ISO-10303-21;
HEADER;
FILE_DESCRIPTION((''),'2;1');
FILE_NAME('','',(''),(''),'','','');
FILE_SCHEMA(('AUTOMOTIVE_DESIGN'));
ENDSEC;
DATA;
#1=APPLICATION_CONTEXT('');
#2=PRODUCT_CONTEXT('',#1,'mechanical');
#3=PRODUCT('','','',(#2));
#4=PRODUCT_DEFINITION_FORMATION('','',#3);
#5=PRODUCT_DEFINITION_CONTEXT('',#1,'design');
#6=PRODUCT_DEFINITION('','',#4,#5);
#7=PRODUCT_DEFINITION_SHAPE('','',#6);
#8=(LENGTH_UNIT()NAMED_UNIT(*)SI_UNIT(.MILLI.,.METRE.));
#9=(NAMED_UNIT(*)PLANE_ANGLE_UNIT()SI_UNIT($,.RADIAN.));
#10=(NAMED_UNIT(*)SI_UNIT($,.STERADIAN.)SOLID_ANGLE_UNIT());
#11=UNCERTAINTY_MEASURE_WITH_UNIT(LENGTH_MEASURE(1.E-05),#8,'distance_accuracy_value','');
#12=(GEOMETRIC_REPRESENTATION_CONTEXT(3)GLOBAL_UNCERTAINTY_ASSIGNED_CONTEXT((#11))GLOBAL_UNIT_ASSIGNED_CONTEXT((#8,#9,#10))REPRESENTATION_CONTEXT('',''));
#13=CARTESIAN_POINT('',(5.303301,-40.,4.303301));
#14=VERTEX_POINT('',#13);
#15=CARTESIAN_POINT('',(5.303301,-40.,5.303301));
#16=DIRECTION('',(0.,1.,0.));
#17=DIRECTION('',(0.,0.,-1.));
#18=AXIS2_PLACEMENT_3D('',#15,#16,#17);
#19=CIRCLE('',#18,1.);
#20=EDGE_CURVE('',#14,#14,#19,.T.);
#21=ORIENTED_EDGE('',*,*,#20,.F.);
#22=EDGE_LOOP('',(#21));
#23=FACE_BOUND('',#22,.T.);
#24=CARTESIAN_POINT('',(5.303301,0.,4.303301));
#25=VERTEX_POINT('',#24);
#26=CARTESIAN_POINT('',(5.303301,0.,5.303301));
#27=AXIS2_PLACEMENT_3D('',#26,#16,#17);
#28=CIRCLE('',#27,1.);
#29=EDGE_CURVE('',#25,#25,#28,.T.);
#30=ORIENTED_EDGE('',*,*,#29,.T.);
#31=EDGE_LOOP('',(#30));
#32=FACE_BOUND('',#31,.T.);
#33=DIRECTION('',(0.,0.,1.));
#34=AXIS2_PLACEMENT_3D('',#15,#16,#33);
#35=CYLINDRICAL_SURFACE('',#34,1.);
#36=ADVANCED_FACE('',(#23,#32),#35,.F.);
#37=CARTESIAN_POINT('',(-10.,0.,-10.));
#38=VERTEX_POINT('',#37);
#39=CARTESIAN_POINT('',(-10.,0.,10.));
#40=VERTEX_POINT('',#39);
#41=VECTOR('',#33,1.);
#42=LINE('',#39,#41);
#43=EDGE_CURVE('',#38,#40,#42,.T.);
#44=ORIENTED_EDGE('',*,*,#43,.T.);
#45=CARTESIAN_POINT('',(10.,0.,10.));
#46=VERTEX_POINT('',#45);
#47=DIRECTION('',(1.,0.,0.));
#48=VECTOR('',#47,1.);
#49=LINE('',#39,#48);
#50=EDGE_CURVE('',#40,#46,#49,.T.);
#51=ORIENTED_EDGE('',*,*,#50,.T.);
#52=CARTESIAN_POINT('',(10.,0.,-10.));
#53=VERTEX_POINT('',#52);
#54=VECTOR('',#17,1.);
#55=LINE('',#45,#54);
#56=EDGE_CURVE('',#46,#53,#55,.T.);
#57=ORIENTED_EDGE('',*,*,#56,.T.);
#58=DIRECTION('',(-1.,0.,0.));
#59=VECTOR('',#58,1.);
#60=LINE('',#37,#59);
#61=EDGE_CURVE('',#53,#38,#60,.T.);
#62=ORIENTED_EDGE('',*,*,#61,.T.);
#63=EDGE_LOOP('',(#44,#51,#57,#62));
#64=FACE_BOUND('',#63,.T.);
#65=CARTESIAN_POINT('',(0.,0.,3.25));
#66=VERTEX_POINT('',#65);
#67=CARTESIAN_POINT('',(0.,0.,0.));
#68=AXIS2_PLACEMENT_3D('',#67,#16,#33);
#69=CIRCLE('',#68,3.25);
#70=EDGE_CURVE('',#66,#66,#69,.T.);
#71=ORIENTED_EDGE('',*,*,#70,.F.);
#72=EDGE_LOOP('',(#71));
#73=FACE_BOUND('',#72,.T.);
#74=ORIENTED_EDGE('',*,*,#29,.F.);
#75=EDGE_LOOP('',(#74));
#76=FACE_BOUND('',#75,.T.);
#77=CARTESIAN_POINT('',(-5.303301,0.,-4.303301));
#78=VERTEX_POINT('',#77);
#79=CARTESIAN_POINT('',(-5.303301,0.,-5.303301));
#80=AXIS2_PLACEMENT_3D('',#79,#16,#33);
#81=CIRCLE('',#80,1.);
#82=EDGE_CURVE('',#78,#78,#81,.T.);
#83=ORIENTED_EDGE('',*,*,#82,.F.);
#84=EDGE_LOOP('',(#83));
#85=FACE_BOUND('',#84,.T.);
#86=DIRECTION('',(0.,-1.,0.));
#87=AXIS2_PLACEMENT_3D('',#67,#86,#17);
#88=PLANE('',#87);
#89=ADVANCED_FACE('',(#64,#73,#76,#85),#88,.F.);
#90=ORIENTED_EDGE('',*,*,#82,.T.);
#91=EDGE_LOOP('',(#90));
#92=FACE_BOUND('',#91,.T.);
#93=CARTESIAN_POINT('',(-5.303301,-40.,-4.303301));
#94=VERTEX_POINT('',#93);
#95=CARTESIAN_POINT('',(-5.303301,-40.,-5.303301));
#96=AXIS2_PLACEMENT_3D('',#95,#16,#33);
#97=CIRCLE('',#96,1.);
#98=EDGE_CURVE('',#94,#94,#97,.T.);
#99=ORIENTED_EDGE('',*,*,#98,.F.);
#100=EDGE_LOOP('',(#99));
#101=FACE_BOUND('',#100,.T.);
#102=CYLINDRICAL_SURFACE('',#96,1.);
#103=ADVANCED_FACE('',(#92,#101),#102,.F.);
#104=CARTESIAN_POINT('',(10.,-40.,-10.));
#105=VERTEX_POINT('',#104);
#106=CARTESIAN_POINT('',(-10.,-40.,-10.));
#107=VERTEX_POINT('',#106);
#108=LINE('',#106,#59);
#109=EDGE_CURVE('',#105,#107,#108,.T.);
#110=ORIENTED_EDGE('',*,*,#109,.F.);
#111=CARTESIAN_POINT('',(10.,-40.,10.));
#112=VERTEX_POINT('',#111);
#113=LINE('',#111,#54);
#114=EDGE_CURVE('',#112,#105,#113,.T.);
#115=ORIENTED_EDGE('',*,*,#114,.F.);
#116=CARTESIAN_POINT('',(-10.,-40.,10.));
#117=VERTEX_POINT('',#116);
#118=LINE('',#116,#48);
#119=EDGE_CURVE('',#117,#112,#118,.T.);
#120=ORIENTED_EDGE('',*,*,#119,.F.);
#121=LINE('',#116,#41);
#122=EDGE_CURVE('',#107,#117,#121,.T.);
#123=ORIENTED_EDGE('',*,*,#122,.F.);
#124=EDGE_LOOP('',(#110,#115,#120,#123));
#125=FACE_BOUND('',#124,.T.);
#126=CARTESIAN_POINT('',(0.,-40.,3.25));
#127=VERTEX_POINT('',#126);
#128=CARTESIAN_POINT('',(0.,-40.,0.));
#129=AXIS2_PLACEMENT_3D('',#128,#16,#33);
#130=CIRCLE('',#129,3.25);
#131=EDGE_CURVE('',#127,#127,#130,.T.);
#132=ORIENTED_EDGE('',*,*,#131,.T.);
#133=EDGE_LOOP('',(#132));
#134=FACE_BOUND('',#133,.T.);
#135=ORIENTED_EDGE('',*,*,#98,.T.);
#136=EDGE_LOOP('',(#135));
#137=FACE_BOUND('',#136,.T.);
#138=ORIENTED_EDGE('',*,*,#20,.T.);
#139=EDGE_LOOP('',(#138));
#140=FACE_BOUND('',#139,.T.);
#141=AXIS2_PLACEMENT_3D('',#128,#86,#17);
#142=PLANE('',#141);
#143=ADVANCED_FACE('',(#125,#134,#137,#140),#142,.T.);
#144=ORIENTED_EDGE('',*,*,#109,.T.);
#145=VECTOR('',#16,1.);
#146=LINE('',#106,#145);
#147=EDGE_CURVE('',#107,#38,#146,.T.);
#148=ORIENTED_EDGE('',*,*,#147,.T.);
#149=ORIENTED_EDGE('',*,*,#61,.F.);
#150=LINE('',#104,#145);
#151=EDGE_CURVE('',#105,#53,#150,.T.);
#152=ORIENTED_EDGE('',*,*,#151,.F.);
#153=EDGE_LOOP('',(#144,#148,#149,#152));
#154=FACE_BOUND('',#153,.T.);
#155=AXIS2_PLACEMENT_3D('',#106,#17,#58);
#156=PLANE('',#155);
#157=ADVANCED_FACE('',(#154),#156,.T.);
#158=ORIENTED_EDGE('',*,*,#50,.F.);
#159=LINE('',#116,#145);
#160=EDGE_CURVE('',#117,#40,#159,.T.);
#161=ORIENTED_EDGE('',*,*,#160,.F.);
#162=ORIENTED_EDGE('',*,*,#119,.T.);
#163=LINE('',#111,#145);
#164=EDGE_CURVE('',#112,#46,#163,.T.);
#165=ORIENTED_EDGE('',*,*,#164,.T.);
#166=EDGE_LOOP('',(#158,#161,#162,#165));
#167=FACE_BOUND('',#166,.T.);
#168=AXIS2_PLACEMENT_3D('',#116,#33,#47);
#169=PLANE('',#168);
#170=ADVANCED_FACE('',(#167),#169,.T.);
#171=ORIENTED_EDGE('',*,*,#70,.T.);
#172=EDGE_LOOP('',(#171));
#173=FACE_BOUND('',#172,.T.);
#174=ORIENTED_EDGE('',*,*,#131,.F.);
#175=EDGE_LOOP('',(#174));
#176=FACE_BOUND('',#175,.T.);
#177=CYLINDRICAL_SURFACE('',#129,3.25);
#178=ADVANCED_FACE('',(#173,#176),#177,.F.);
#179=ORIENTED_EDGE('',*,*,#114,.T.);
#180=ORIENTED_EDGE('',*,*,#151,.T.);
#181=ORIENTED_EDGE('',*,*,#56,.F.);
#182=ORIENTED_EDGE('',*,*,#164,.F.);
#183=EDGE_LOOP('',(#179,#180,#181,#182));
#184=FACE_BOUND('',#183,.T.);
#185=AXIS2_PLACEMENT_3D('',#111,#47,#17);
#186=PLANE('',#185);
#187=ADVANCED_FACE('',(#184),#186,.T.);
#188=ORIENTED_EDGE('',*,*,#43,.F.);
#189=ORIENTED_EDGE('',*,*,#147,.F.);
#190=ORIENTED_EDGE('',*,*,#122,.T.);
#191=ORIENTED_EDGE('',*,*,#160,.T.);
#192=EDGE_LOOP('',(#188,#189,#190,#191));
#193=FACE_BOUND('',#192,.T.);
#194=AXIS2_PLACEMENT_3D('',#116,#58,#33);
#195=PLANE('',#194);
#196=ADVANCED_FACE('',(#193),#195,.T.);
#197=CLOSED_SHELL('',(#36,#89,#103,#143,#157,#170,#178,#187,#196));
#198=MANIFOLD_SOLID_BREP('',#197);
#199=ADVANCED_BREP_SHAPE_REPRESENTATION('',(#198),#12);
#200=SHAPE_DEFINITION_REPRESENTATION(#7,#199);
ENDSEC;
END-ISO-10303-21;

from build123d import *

# Parameters (mm, degrees)
ESQUISSE1_W        = 20
ESQUISSE1_H        = 20
ESQUISSE1_R        = 1
ESQUISSE1_R_2      = 3.25
BOSS_EXTRU_1_DEPTH = 40


with BuildPart() as part:
    # Esquisse1 → Boss.-Extru.1 (new body)
    with BuildSketch(Plane(origin=(0, 0, 0), x_dir=(1, 0, 0), z_dir=(0, 1, 0))):
        Rectangle(ESQUISSE1_W, ESQUISSE1_H)
        with Locations(Location((-5.303300859, 5.303300859, 0), (0, 0, 270))):
            Circle(ESQUISSE1_R, mode=Mode.SUBTRACT)
        with Locations(Location((5.303300859, -5.303300859, 0), (0, 0, 90))):
            Circle(ESQUISSE1_R, mode=Mode.SUBTRACT)
        with Locations(Location((0, 0, 0), (0, 0, 270))):
            Circle(ESQUISSE1_R_2, mode=Mode.SUBTRACT)
    extrude(amount=-BOSS_EXTRU_1_DEPTH)


solid = part.part
